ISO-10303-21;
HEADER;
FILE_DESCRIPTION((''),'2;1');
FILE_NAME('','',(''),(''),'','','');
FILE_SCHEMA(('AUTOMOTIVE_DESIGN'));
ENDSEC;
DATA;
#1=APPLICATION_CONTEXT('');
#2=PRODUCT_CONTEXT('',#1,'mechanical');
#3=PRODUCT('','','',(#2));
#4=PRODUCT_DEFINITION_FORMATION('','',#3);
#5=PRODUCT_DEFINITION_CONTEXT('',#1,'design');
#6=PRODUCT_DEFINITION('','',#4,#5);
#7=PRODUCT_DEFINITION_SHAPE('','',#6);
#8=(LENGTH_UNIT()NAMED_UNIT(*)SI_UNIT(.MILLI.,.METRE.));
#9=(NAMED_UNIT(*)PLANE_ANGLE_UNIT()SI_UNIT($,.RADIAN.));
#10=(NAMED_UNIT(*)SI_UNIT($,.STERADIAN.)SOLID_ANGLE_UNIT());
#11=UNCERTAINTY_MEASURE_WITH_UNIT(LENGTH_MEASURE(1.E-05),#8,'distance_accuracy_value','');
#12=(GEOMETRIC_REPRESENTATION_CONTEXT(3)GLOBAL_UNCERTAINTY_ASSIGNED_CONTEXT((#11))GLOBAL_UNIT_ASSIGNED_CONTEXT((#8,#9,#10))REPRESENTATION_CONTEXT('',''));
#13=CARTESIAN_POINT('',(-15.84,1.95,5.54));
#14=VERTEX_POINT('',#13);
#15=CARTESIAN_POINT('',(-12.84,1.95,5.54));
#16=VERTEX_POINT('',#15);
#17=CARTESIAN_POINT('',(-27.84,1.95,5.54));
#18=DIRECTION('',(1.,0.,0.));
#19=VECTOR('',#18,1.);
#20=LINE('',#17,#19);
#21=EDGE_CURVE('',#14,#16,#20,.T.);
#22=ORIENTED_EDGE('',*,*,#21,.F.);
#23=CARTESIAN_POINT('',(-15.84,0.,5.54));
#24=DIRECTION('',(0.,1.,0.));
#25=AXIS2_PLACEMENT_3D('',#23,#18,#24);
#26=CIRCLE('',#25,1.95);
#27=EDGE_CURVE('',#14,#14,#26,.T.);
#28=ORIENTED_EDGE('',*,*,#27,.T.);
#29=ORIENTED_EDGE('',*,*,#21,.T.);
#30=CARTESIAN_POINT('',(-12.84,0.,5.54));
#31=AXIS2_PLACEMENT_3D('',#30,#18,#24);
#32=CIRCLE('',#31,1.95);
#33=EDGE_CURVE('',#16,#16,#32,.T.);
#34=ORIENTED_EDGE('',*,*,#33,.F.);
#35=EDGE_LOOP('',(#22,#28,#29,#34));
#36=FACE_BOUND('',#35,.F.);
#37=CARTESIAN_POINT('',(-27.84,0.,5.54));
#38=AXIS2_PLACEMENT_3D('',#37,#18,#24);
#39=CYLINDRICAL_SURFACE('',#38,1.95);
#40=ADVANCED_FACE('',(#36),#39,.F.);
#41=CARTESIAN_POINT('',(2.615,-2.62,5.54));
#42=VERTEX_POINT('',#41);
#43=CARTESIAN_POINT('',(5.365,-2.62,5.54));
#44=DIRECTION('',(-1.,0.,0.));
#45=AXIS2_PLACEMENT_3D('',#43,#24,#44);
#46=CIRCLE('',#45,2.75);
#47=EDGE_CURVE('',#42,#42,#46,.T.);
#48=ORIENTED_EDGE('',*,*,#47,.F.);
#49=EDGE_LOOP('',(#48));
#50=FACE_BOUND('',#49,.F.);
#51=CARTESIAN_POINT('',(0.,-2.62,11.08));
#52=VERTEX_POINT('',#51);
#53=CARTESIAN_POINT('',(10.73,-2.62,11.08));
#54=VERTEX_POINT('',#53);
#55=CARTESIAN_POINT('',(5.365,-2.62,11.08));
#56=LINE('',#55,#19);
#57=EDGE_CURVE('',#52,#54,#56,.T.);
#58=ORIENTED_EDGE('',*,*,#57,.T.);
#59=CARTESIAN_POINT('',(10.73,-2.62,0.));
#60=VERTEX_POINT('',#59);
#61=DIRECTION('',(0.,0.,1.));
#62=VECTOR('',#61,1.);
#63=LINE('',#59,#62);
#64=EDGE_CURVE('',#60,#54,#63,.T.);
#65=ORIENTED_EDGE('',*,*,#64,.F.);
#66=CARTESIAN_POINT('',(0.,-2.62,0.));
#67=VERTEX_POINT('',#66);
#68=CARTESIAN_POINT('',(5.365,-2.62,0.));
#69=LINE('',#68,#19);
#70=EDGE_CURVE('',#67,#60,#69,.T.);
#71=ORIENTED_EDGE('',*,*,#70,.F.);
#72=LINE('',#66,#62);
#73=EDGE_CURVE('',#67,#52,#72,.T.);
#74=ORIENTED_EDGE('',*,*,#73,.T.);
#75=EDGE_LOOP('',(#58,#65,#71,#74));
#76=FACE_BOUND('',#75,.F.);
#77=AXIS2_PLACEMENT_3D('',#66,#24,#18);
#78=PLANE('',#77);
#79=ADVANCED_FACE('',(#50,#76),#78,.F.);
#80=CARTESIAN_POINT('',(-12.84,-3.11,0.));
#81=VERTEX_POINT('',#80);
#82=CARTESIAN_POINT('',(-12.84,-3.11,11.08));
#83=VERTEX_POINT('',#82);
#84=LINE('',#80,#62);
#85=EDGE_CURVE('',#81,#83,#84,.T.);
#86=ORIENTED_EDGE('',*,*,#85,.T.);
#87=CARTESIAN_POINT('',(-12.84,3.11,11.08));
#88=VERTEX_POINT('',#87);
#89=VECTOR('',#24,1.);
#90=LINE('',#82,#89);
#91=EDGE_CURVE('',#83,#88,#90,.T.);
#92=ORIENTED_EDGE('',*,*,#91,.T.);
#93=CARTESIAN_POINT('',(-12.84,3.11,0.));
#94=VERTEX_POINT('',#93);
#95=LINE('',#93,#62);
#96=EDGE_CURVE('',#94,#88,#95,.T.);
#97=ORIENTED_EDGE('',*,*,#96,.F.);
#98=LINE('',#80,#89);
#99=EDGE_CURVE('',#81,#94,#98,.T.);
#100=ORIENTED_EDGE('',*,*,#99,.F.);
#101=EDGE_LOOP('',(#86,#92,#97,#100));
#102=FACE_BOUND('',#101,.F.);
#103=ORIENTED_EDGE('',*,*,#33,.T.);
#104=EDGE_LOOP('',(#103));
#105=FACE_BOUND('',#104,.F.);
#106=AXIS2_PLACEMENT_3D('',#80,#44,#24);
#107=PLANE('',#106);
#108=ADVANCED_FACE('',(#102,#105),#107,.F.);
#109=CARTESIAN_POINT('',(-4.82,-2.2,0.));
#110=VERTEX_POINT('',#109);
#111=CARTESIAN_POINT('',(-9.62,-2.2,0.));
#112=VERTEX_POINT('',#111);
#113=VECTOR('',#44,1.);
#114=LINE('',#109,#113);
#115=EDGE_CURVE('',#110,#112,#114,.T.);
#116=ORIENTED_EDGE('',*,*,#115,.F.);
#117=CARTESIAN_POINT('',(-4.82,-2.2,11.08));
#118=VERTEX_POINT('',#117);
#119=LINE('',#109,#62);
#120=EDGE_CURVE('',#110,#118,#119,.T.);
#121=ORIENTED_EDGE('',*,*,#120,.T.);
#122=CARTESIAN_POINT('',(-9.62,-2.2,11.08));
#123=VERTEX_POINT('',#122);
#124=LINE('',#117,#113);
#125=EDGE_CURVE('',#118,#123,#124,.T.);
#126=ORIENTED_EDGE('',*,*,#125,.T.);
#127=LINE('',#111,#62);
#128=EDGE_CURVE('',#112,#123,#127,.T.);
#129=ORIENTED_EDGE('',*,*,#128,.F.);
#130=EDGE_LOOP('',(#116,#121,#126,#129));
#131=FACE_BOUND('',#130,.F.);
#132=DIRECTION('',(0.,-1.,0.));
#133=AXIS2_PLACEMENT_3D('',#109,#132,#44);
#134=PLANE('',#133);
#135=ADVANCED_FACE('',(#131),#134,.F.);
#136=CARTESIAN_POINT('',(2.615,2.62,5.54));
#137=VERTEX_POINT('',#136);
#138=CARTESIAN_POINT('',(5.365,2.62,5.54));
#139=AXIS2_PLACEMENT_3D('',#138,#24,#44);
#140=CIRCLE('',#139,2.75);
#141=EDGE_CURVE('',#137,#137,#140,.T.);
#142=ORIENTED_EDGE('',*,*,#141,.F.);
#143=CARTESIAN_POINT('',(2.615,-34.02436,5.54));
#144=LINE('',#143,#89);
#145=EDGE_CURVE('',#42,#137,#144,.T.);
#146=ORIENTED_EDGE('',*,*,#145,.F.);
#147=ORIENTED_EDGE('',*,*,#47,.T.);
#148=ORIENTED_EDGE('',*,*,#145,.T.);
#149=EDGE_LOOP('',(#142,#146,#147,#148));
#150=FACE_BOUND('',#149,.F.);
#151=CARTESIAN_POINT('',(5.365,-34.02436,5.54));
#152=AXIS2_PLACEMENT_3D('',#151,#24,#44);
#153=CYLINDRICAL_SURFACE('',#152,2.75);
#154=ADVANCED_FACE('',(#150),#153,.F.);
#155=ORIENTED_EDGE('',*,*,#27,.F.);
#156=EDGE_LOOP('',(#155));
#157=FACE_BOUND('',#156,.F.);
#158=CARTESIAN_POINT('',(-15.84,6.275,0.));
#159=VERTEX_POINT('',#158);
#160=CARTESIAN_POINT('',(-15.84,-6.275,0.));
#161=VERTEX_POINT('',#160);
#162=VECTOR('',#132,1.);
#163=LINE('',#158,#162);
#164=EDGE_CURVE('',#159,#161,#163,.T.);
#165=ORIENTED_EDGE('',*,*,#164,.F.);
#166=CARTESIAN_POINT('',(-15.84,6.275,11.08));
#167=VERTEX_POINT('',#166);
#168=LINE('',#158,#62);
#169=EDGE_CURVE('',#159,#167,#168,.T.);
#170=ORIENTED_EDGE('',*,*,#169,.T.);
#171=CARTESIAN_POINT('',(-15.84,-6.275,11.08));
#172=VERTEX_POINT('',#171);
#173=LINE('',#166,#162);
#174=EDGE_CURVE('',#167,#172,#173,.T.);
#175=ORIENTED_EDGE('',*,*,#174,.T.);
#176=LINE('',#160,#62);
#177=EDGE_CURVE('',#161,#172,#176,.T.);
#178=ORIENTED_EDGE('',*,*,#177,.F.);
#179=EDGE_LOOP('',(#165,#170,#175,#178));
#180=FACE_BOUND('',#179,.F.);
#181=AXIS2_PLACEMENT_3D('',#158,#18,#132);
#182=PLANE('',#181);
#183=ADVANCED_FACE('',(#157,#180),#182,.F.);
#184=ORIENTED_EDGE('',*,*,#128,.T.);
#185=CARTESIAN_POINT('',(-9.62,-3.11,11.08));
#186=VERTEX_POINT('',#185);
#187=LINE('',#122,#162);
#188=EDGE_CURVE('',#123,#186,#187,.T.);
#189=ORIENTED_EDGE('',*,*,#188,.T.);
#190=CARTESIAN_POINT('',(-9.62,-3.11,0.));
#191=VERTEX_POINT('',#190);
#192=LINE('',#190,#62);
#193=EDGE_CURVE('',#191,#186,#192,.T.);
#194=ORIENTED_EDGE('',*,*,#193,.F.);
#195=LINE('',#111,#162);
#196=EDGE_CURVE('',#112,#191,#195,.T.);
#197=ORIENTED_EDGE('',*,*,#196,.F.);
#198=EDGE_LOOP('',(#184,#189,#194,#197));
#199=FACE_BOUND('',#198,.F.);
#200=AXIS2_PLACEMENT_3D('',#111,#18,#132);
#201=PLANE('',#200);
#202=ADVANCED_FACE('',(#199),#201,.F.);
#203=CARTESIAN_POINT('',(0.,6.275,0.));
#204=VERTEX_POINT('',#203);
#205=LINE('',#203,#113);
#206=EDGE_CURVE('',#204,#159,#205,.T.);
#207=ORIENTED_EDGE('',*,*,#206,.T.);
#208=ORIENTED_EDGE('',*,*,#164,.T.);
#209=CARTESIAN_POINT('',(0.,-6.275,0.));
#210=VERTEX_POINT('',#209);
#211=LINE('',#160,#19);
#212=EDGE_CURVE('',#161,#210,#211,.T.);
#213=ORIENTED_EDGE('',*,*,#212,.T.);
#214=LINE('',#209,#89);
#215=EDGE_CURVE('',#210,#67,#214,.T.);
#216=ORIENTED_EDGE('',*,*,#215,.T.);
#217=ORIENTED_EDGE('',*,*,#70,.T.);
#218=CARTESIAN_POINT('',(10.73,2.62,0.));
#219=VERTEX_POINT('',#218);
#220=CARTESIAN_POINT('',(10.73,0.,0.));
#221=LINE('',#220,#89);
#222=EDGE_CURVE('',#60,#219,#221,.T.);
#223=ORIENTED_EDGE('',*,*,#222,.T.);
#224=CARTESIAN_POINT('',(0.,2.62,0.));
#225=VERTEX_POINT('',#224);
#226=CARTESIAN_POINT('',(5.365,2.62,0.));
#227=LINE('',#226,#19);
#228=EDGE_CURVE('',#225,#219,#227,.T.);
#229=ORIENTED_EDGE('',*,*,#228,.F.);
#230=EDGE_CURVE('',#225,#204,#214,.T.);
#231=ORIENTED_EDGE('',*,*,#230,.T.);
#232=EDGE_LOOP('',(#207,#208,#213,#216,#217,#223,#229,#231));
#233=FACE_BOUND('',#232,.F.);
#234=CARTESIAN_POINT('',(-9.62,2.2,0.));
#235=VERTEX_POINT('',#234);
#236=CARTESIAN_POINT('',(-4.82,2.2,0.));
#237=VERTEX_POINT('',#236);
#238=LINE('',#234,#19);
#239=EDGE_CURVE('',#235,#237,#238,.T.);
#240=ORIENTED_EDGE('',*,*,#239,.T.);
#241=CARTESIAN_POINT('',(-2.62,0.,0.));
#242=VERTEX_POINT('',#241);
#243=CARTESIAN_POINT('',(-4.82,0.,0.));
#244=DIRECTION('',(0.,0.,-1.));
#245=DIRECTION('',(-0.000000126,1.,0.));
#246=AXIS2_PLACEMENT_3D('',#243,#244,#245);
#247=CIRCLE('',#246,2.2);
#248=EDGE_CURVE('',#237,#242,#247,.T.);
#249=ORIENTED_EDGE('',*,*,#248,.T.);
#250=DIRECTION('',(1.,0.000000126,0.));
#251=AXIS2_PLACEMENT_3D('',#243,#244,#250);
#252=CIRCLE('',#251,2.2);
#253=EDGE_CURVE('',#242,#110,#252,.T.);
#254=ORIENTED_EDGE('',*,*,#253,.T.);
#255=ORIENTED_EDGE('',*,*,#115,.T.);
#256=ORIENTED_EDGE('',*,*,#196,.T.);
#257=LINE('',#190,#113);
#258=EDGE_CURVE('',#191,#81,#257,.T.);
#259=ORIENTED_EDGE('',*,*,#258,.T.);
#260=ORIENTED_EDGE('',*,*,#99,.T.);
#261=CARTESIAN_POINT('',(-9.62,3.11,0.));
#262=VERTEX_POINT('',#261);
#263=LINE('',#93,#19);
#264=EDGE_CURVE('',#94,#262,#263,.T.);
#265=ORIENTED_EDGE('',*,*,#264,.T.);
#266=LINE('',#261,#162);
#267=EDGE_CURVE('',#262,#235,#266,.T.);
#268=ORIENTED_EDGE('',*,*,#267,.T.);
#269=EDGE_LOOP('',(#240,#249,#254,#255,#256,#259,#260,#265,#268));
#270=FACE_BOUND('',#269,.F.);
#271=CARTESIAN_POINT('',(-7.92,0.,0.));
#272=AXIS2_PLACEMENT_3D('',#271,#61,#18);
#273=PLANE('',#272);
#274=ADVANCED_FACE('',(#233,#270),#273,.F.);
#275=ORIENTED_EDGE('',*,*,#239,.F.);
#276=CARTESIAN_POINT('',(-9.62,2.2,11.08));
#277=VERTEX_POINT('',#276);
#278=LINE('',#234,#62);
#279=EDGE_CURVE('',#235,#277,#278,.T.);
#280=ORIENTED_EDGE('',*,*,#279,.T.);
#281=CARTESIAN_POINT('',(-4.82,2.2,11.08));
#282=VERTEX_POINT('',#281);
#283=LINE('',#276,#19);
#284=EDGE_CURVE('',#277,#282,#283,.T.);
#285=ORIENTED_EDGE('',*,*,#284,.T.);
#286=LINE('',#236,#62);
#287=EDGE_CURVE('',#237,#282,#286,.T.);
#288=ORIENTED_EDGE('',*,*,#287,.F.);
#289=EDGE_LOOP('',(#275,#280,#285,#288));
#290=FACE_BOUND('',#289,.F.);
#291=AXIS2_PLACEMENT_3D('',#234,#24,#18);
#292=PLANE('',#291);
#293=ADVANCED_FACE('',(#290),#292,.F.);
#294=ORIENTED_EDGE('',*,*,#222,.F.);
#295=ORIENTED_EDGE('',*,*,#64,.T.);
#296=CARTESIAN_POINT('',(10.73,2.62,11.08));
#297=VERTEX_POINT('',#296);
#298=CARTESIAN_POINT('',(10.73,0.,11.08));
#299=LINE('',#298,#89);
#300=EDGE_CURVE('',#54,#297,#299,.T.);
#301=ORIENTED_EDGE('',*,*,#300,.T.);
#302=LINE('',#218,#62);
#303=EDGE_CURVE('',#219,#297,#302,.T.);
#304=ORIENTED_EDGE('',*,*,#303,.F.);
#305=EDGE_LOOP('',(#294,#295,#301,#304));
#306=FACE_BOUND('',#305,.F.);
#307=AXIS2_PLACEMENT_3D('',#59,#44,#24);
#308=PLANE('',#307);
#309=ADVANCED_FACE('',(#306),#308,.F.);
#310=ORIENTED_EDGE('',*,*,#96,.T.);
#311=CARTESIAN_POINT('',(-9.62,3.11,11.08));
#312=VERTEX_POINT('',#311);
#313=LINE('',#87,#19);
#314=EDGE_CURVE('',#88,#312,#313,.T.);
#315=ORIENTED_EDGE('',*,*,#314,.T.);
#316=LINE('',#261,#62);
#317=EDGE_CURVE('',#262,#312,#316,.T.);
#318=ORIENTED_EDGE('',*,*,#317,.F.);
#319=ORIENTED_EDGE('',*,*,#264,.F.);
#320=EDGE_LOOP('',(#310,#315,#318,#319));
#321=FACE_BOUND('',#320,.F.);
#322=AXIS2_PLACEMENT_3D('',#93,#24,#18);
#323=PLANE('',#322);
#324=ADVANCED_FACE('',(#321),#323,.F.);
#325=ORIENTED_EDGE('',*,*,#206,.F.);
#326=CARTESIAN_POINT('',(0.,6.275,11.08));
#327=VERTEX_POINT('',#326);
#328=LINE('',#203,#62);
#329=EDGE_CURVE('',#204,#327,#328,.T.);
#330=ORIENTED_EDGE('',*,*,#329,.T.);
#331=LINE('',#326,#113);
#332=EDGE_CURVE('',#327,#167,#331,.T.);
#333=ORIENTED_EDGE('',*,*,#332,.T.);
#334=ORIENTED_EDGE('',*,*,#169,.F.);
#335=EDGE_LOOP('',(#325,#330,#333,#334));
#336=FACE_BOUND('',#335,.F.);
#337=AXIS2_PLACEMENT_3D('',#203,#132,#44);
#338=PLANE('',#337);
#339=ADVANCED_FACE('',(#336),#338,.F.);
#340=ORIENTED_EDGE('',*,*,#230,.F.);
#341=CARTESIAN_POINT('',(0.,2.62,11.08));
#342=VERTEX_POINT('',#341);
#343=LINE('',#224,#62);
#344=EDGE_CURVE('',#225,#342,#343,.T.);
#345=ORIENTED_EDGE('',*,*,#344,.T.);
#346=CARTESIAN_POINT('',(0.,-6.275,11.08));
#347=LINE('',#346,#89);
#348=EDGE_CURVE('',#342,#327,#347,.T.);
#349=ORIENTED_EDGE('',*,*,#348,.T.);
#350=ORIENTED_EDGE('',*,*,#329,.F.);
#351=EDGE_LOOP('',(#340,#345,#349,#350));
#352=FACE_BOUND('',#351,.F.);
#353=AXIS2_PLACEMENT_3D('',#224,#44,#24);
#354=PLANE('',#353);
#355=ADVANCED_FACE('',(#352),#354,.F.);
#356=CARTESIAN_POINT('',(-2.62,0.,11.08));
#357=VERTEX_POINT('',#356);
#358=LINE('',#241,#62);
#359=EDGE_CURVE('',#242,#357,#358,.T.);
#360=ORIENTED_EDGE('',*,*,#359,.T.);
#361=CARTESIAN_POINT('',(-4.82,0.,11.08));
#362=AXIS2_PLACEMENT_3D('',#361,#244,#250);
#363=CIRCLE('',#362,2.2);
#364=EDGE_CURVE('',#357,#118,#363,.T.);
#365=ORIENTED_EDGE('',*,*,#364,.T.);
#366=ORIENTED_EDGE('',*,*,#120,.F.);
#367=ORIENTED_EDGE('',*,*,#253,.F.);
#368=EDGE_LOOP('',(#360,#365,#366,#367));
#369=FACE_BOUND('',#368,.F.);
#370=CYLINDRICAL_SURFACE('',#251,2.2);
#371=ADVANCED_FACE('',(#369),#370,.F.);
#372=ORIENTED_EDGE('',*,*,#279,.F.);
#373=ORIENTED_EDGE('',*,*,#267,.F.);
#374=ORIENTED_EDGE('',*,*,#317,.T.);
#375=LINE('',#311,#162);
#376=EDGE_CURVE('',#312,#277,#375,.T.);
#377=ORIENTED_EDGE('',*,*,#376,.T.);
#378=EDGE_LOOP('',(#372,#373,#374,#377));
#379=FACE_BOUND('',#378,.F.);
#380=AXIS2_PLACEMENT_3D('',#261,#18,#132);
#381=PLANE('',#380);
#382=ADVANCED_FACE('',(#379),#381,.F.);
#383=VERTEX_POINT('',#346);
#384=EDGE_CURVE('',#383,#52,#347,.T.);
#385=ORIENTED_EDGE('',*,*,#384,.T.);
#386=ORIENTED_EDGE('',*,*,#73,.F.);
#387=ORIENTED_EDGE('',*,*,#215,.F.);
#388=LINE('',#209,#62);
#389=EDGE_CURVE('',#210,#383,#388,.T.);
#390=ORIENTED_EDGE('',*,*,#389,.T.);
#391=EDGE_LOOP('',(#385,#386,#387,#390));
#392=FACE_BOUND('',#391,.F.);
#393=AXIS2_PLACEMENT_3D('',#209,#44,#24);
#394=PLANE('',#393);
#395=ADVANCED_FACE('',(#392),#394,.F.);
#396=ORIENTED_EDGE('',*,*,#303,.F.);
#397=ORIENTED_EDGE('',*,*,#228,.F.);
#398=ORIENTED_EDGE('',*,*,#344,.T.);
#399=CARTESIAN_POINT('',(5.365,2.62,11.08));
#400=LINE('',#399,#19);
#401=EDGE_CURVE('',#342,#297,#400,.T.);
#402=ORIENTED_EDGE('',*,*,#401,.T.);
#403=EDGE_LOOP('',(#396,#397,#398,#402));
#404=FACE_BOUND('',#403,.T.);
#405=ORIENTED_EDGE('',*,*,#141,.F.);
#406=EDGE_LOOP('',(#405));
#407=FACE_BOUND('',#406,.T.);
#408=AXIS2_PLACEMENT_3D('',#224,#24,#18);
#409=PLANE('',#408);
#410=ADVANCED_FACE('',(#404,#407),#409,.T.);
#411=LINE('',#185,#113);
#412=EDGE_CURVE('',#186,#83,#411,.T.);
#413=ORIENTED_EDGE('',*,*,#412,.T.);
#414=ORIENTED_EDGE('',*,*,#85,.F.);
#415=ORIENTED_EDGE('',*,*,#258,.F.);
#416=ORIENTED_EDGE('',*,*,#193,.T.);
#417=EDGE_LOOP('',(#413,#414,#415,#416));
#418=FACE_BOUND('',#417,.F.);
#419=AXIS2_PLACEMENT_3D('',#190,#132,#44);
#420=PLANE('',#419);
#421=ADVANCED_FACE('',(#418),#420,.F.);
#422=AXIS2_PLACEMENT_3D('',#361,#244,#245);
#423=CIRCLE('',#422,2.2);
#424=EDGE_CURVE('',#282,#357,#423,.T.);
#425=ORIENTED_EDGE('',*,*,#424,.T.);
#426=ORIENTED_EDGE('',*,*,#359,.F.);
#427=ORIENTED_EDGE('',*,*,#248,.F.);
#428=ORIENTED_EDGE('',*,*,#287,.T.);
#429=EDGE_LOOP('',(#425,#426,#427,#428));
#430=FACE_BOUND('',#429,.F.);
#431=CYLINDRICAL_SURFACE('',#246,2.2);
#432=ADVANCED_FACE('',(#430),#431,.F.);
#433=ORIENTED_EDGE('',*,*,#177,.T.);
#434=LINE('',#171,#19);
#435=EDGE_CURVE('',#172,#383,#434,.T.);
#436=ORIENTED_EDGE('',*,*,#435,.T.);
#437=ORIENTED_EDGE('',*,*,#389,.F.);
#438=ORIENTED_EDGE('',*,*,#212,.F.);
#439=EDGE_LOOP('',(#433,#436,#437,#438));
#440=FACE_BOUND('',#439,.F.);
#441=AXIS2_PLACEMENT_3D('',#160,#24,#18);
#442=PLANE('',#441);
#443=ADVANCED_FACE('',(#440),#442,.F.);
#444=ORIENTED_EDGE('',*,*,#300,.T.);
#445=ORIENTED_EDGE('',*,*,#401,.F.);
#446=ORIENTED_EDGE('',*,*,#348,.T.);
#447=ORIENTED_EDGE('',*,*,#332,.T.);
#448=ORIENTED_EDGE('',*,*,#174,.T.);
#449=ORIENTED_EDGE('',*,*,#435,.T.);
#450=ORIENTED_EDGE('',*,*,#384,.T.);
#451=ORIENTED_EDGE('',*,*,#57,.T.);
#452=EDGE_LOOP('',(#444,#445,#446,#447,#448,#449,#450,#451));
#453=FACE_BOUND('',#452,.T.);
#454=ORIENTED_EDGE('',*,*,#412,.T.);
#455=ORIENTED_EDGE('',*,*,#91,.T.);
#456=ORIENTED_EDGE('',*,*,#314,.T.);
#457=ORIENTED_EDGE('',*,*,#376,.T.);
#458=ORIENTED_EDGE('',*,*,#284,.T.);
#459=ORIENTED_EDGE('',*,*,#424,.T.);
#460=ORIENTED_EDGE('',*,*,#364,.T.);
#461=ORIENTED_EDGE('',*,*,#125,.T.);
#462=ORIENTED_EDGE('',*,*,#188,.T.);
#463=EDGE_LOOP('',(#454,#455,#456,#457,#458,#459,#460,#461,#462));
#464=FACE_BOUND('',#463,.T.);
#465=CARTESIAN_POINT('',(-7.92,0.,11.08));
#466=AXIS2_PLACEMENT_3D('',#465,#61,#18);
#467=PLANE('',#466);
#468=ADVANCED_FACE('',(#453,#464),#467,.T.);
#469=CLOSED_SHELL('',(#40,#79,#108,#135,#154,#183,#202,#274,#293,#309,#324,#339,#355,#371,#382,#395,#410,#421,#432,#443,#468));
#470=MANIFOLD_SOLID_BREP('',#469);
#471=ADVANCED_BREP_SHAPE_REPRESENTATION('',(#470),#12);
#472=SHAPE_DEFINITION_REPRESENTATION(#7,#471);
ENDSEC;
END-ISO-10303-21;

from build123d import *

# Parameters (mm, degrees)
F0_W     = 10.73
F0_H     = 5.24
F1_DEPTH = 11.08
F3_D     = 3.9
F3_DEPTH = 12
F5_D     = 5.5


with BuildPart() as f1:
    # F0 (on Top) → F1 (new body)
    with BuildSketch(Plane.XY):
        Polygon((0, 6.275), (-15.84, 6.275), (-15.84, -6.275), (0, -6.275), (0, -2.62), (0, 2.62), align=None)
        with BuildLine():
            Line((-12.84, -3.11), (-12.84, 3.11))
            Line((-12.84, 3.11), (-9.62, 3.11))
            Line((-9.62, 3.11), (-9.62, 2.2))
            Line((-9.62, 2.2), (-4.82, 2.2))
            ThreePointArc((-4.82, 2.2), (-3.264365, 1.555635), (-2.62, 0))
            ThreePointArc((-2.62, 0), (-3.264365, -1.555635), (-4.82, -2.2))
            Line((-4.82, -2.2), (-9.62, -2.2))
            Line((-9.62, -2.2), (-9.62, -3.11))
            Line((-9.62, -3.11), (-12.84, -3.11))
        make_face(mode=Mode.SUBTRACT)
        with Locations((5.365, 0)):
            Rectangle(F0_W, F0_H)
    extrude(amount=F1_DEPTH)

    # F3
    with Locations(Plane(origin=(-15.84, 0, 0), x_dir=(0, -1, 0), z_dir=(-1, 0, 0))):
        with Locations((0, 5.54)):
            Hole(F3_D / 2, depth=F3_DEPTH)

    # F5 (through all)
    with Locations(Plane.XZ.offset(2.62)):
        with Locations((5.365, 5.54)):
            Hole(F5_D / 2)


solid = f1.part
